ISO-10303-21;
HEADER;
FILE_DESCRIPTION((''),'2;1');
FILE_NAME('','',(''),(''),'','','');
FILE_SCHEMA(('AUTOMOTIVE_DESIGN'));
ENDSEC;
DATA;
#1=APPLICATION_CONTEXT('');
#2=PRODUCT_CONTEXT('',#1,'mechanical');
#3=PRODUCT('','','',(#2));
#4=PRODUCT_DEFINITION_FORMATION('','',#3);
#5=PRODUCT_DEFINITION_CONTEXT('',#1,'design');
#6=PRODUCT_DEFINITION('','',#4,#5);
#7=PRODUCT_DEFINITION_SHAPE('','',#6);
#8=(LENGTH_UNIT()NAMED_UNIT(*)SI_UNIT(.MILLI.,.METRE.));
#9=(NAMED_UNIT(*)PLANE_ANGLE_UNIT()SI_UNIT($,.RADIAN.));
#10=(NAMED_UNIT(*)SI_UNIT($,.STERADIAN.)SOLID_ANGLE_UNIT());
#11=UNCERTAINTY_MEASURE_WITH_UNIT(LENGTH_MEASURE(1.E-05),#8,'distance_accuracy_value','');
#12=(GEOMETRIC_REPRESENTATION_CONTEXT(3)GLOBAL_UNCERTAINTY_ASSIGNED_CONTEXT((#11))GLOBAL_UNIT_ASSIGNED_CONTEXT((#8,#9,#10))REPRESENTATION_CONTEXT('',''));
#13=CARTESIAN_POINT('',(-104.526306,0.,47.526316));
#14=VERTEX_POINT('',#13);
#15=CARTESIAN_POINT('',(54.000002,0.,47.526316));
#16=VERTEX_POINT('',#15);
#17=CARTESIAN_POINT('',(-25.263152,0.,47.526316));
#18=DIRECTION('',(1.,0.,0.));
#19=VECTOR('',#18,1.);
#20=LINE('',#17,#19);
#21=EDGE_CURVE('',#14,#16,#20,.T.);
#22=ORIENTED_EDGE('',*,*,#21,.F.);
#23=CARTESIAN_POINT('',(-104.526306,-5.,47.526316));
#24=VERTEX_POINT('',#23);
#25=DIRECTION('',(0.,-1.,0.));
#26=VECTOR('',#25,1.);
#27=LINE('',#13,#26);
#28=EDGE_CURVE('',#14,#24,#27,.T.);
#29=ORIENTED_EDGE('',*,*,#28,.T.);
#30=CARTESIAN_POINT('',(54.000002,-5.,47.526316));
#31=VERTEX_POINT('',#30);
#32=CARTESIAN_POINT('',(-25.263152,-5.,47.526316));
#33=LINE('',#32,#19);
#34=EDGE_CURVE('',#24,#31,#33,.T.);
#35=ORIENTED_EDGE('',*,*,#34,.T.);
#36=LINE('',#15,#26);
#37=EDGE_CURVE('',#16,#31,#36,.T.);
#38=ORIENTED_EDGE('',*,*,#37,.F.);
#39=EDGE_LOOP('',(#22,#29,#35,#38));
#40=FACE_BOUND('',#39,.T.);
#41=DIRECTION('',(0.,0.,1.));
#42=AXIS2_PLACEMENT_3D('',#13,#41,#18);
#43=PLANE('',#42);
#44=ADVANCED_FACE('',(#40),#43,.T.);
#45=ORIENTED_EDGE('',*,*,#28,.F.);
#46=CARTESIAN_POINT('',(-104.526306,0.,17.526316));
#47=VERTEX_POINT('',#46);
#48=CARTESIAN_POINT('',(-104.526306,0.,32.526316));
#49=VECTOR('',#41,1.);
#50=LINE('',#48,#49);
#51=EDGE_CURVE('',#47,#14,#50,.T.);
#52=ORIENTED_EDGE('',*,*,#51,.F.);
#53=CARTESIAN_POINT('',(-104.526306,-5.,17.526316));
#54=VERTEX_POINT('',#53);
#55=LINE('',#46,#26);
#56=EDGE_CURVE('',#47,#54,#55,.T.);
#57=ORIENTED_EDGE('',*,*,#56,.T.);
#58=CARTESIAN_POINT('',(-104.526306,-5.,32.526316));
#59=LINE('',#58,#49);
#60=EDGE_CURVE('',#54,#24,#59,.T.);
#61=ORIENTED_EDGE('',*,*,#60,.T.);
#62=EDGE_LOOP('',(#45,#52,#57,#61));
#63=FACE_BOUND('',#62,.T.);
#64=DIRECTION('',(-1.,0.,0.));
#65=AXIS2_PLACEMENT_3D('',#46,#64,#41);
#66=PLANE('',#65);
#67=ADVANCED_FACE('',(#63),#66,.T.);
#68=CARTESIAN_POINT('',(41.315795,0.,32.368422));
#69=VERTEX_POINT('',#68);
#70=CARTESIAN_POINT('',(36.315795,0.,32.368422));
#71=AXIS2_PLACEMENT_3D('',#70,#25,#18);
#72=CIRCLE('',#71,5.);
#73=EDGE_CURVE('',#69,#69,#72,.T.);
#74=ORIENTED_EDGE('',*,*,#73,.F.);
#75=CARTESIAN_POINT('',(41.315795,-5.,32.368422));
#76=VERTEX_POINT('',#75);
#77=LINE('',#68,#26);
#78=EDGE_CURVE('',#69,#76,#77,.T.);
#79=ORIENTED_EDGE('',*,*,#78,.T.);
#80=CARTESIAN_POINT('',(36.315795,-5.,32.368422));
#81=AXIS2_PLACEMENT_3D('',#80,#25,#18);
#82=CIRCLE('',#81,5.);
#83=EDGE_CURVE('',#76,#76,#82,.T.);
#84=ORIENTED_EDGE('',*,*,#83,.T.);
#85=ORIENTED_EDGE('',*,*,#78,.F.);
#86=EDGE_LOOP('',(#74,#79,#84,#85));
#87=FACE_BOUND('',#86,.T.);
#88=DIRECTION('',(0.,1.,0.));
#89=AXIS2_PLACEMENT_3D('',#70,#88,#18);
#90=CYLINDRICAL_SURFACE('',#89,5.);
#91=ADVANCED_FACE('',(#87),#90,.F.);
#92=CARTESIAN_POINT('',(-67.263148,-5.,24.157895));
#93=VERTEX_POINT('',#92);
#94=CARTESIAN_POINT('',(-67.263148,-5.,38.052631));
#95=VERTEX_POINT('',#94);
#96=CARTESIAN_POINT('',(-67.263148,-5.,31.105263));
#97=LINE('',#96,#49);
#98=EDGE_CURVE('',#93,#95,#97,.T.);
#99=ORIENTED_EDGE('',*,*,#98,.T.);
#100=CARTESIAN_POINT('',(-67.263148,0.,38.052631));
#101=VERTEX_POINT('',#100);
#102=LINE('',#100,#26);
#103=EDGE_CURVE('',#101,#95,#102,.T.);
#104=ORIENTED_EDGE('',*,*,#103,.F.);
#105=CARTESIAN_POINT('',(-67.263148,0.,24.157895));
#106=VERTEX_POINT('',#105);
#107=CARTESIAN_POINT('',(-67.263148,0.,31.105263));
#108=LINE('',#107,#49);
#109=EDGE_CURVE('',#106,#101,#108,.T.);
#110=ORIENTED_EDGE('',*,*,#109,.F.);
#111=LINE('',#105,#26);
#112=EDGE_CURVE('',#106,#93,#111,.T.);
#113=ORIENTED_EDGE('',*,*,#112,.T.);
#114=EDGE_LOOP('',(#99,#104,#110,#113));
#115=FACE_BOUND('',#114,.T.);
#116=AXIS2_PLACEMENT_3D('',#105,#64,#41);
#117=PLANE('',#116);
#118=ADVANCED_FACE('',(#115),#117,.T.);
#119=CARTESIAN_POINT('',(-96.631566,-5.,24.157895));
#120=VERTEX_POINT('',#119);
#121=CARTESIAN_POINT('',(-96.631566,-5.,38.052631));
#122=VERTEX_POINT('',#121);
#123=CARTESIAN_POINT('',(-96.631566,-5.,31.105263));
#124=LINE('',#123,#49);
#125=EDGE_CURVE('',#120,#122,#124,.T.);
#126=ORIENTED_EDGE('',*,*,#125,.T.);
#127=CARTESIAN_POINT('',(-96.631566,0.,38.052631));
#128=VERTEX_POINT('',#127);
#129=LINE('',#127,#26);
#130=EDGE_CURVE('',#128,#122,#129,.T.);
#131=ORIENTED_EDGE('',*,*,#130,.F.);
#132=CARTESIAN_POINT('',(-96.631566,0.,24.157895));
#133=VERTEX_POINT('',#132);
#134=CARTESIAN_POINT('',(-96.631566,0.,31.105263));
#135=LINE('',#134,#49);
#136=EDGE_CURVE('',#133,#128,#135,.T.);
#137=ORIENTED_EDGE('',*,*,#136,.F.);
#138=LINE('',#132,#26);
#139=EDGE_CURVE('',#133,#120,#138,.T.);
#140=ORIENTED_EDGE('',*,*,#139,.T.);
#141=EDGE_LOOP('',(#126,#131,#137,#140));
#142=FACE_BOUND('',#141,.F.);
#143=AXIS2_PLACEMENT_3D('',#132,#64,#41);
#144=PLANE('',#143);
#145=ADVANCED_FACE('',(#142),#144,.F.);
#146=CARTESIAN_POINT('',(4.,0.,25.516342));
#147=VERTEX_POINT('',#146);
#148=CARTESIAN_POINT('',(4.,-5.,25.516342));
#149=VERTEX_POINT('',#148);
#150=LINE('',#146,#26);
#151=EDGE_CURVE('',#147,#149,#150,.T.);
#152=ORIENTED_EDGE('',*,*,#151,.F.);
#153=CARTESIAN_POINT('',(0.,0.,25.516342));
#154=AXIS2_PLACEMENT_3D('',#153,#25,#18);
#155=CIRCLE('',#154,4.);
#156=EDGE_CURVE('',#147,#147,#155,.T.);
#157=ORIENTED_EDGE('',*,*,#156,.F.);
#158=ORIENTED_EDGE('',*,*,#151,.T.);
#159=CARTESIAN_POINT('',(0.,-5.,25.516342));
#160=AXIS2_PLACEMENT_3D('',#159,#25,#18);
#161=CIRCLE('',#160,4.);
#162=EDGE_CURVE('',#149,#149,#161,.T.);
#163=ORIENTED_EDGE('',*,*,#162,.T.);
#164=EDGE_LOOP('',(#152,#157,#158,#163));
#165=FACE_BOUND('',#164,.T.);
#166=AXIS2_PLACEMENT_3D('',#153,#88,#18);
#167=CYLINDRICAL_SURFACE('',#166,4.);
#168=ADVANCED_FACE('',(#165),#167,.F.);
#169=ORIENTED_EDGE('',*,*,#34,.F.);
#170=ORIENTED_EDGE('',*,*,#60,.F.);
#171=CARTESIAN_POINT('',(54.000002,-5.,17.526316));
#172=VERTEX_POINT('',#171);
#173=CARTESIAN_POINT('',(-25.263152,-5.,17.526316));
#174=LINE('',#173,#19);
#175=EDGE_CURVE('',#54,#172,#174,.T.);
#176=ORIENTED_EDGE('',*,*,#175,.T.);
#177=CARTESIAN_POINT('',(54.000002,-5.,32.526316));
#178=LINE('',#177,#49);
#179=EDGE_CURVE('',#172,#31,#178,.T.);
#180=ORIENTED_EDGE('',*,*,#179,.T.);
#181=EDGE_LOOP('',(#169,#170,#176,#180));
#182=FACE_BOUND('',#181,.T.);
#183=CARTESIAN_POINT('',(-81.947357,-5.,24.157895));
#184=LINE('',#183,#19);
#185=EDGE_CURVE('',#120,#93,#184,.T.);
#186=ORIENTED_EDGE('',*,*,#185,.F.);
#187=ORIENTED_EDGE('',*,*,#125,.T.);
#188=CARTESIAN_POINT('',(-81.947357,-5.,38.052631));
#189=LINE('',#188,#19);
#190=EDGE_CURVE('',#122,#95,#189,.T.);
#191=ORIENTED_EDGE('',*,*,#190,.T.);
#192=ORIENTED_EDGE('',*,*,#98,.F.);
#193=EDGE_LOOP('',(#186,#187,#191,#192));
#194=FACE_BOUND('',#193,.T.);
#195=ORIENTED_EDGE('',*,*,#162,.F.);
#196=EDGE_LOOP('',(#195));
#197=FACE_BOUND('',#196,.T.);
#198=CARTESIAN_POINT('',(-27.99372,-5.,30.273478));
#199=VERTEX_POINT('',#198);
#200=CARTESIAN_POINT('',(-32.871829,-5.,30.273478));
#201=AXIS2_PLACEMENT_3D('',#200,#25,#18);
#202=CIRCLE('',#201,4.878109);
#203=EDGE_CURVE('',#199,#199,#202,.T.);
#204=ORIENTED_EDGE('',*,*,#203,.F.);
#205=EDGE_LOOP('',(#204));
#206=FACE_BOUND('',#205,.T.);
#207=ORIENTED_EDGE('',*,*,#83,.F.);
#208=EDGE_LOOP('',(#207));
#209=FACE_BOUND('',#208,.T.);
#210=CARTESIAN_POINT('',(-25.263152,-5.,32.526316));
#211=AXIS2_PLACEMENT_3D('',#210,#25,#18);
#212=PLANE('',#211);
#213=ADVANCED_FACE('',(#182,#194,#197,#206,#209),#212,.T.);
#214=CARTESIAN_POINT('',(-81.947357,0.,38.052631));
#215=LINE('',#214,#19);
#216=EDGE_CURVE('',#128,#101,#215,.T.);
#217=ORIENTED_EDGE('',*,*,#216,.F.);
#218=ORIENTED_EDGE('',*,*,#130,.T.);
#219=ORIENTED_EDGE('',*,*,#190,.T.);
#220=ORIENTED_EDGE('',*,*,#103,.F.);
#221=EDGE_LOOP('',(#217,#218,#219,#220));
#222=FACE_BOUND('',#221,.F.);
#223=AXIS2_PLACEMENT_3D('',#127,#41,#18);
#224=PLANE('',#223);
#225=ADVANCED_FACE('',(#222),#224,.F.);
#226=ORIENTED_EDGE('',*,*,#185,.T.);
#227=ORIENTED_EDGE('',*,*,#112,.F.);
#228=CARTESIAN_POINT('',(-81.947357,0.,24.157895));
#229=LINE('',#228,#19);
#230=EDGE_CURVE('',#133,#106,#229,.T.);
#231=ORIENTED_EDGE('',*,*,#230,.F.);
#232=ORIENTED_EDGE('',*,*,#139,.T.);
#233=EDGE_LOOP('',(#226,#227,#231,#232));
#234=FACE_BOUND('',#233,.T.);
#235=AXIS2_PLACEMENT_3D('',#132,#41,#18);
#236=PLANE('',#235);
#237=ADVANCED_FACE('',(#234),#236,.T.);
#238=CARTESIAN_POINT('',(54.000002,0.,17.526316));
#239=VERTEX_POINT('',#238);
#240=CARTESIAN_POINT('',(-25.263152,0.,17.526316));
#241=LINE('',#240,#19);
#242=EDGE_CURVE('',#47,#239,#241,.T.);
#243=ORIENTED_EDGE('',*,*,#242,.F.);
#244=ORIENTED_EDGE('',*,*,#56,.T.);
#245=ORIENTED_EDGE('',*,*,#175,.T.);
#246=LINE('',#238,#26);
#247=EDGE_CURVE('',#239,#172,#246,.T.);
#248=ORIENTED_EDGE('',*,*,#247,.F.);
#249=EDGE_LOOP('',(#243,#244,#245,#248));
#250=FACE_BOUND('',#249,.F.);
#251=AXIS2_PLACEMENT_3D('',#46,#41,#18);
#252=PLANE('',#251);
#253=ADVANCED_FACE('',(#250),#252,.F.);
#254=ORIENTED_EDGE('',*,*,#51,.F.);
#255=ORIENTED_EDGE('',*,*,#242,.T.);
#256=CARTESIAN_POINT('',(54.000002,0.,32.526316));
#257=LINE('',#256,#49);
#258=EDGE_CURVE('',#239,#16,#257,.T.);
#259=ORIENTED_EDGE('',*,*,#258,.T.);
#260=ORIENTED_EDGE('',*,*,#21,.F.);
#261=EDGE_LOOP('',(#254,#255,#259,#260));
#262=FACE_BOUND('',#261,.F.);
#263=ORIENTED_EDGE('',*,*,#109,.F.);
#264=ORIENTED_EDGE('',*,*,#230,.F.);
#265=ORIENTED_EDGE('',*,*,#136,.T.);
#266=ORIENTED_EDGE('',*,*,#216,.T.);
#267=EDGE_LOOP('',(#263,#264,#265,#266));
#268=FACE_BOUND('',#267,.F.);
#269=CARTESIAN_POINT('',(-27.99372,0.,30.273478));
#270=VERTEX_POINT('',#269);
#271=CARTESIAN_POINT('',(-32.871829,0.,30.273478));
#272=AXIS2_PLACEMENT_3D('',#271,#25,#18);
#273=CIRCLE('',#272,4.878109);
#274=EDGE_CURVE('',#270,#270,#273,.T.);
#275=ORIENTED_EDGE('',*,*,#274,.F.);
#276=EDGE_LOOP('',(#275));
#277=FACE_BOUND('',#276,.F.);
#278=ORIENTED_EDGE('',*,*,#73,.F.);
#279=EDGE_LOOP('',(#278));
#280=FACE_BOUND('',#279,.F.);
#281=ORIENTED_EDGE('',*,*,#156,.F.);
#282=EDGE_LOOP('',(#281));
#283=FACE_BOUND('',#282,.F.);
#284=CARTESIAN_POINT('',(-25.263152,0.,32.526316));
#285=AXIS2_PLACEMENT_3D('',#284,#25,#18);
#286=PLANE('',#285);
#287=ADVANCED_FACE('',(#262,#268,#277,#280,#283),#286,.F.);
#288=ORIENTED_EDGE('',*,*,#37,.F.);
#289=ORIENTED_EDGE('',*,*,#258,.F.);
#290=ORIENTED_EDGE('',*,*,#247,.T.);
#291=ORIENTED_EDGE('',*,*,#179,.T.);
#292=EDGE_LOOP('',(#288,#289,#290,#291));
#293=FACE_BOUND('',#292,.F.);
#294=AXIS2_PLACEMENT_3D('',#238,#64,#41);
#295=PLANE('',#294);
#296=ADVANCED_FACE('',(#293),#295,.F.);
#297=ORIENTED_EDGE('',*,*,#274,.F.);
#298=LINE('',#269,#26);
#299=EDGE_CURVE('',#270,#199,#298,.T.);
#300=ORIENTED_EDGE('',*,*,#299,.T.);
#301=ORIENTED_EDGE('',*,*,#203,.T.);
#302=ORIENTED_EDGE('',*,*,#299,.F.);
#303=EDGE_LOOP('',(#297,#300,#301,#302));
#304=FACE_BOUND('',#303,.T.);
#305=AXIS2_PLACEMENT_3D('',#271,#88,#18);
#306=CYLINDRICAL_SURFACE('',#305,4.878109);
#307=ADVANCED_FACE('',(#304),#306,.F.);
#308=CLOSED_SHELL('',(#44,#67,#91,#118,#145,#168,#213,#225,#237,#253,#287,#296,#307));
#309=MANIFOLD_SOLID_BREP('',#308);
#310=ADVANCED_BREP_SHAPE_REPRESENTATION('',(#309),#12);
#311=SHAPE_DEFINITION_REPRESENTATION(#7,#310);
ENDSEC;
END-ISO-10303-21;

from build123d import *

# Parameters (mm, degrees)
F0_W     = 158.526307
F0_H     = 30
F0_W_2   = 29.368418
F0_H_2   = 13.894737
F0_R     = 4.878109
F0_R_2   = 4
F0_R_3   = 5
F1_DEPTH = 5


with BuildPart() as f1:
    # F0 (on Front) → F1 (new body)
    with BuildSketch(Plane.XZ):
        with Locations((-25.263152, 32.526316)):
            Rectangle(F0_W, F0_H)
        with Locations((-81.947357, 31.105263)):
            Rectangle(F0_W_2, F0_H_2, mode=Mode.SUBTRACT)
        with Locations((-32.871829, 30.273478)):
            Circle(F0_R, mode=Mode.SUBTRACT)
        with Locations((0, 25.516342)):
            Circle(F0_R_2, mode=Mode.SUBTRACT)
        with Locations((36.315795, 32.368422)):
            Circle(F0_R_3, mode=Mode.SUBTRACT)
    extrude(amount=F1_DEPTH)


solid = f1.part
